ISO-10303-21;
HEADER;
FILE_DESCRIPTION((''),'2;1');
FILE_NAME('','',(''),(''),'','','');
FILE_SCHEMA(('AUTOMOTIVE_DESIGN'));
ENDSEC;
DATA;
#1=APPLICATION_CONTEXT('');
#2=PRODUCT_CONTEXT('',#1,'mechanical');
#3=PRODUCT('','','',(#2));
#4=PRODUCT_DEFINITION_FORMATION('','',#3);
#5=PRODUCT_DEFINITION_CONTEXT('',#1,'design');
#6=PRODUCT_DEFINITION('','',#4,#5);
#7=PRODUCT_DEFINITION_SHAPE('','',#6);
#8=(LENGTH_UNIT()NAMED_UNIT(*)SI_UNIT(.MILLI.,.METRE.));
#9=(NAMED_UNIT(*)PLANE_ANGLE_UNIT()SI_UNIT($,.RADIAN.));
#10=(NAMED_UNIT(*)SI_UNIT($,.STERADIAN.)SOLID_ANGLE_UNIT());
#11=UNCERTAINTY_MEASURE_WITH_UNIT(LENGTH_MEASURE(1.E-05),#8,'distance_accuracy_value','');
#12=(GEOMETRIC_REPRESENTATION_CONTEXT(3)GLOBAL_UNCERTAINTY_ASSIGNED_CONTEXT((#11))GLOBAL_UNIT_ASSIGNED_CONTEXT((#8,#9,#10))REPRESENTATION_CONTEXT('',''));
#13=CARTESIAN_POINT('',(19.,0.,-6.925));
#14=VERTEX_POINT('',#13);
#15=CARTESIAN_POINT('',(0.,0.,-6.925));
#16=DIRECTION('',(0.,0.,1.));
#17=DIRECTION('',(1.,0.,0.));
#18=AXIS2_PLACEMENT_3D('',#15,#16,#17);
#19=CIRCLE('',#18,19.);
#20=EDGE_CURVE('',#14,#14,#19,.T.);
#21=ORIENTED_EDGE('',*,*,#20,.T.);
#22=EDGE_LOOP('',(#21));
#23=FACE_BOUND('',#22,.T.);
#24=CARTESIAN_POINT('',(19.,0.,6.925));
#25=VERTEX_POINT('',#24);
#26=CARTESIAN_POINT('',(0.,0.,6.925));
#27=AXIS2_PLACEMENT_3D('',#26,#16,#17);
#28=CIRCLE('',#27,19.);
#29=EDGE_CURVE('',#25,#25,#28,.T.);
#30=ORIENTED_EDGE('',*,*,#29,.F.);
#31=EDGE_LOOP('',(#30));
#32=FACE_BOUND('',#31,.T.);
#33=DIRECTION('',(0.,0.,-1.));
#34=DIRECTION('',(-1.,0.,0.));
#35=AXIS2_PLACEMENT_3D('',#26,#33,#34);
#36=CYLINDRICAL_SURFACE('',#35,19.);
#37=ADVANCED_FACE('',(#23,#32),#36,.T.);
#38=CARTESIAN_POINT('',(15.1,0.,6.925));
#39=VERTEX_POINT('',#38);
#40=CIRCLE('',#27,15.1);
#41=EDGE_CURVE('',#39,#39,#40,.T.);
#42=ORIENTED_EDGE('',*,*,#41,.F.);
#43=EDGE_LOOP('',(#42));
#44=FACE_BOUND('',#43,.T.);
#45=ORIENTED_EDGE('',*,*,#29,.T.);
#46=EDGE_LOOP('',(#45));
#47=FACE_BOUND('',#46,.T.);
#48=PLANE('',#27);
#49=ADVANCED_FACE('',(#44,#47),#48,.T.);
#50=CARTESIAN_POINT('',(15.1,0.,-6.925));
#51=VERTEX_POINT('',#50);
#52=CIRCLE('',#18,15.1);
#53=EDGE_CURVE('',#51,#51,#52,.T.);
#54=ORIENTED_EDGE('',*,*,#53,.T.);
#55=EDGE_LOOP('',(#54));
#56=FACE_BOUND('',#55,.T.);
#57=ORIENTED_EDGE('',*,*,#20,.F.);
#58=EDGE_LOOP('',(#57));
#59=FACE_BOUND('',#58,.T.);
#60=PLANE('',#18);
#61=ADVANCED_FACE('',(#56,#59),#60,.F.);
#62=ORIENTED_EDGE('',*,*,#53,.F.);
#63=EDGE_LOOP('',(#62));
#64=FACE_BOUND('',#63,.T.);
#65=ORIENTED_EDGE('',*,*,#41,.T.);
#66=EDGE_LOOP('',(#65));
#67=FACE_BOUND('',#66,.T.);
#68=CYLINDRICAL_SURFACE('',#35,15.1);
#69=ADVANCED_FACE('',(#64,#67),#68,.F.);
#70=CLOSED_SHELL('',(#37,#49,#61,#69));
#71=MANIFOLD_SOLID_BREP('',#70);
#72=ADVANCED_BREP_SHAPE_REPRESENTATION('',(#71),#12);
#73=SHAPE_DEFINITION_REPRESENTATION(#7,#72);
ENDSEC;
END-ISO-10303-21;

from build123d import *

# Parameters (mm, degrees)
SKETCH1_R           = 19
SKETCH1_R_2         = 15.1
BOSS_EXTRUDE1_DEPTH = 6.925


with BuildPart() as part:
    # Sketch1 → Boss-Extrude1 (new, symmetric)
    with BuildSketch(Plane.XY):
        Circle(SKETCH1_R)
        Circle(SKETCH1_R_2, mode=Mode.SUBTRACT)
    extrude(amount=BOSS_EXTRUDE1_DEPTH, both=True)


solid = part.part
